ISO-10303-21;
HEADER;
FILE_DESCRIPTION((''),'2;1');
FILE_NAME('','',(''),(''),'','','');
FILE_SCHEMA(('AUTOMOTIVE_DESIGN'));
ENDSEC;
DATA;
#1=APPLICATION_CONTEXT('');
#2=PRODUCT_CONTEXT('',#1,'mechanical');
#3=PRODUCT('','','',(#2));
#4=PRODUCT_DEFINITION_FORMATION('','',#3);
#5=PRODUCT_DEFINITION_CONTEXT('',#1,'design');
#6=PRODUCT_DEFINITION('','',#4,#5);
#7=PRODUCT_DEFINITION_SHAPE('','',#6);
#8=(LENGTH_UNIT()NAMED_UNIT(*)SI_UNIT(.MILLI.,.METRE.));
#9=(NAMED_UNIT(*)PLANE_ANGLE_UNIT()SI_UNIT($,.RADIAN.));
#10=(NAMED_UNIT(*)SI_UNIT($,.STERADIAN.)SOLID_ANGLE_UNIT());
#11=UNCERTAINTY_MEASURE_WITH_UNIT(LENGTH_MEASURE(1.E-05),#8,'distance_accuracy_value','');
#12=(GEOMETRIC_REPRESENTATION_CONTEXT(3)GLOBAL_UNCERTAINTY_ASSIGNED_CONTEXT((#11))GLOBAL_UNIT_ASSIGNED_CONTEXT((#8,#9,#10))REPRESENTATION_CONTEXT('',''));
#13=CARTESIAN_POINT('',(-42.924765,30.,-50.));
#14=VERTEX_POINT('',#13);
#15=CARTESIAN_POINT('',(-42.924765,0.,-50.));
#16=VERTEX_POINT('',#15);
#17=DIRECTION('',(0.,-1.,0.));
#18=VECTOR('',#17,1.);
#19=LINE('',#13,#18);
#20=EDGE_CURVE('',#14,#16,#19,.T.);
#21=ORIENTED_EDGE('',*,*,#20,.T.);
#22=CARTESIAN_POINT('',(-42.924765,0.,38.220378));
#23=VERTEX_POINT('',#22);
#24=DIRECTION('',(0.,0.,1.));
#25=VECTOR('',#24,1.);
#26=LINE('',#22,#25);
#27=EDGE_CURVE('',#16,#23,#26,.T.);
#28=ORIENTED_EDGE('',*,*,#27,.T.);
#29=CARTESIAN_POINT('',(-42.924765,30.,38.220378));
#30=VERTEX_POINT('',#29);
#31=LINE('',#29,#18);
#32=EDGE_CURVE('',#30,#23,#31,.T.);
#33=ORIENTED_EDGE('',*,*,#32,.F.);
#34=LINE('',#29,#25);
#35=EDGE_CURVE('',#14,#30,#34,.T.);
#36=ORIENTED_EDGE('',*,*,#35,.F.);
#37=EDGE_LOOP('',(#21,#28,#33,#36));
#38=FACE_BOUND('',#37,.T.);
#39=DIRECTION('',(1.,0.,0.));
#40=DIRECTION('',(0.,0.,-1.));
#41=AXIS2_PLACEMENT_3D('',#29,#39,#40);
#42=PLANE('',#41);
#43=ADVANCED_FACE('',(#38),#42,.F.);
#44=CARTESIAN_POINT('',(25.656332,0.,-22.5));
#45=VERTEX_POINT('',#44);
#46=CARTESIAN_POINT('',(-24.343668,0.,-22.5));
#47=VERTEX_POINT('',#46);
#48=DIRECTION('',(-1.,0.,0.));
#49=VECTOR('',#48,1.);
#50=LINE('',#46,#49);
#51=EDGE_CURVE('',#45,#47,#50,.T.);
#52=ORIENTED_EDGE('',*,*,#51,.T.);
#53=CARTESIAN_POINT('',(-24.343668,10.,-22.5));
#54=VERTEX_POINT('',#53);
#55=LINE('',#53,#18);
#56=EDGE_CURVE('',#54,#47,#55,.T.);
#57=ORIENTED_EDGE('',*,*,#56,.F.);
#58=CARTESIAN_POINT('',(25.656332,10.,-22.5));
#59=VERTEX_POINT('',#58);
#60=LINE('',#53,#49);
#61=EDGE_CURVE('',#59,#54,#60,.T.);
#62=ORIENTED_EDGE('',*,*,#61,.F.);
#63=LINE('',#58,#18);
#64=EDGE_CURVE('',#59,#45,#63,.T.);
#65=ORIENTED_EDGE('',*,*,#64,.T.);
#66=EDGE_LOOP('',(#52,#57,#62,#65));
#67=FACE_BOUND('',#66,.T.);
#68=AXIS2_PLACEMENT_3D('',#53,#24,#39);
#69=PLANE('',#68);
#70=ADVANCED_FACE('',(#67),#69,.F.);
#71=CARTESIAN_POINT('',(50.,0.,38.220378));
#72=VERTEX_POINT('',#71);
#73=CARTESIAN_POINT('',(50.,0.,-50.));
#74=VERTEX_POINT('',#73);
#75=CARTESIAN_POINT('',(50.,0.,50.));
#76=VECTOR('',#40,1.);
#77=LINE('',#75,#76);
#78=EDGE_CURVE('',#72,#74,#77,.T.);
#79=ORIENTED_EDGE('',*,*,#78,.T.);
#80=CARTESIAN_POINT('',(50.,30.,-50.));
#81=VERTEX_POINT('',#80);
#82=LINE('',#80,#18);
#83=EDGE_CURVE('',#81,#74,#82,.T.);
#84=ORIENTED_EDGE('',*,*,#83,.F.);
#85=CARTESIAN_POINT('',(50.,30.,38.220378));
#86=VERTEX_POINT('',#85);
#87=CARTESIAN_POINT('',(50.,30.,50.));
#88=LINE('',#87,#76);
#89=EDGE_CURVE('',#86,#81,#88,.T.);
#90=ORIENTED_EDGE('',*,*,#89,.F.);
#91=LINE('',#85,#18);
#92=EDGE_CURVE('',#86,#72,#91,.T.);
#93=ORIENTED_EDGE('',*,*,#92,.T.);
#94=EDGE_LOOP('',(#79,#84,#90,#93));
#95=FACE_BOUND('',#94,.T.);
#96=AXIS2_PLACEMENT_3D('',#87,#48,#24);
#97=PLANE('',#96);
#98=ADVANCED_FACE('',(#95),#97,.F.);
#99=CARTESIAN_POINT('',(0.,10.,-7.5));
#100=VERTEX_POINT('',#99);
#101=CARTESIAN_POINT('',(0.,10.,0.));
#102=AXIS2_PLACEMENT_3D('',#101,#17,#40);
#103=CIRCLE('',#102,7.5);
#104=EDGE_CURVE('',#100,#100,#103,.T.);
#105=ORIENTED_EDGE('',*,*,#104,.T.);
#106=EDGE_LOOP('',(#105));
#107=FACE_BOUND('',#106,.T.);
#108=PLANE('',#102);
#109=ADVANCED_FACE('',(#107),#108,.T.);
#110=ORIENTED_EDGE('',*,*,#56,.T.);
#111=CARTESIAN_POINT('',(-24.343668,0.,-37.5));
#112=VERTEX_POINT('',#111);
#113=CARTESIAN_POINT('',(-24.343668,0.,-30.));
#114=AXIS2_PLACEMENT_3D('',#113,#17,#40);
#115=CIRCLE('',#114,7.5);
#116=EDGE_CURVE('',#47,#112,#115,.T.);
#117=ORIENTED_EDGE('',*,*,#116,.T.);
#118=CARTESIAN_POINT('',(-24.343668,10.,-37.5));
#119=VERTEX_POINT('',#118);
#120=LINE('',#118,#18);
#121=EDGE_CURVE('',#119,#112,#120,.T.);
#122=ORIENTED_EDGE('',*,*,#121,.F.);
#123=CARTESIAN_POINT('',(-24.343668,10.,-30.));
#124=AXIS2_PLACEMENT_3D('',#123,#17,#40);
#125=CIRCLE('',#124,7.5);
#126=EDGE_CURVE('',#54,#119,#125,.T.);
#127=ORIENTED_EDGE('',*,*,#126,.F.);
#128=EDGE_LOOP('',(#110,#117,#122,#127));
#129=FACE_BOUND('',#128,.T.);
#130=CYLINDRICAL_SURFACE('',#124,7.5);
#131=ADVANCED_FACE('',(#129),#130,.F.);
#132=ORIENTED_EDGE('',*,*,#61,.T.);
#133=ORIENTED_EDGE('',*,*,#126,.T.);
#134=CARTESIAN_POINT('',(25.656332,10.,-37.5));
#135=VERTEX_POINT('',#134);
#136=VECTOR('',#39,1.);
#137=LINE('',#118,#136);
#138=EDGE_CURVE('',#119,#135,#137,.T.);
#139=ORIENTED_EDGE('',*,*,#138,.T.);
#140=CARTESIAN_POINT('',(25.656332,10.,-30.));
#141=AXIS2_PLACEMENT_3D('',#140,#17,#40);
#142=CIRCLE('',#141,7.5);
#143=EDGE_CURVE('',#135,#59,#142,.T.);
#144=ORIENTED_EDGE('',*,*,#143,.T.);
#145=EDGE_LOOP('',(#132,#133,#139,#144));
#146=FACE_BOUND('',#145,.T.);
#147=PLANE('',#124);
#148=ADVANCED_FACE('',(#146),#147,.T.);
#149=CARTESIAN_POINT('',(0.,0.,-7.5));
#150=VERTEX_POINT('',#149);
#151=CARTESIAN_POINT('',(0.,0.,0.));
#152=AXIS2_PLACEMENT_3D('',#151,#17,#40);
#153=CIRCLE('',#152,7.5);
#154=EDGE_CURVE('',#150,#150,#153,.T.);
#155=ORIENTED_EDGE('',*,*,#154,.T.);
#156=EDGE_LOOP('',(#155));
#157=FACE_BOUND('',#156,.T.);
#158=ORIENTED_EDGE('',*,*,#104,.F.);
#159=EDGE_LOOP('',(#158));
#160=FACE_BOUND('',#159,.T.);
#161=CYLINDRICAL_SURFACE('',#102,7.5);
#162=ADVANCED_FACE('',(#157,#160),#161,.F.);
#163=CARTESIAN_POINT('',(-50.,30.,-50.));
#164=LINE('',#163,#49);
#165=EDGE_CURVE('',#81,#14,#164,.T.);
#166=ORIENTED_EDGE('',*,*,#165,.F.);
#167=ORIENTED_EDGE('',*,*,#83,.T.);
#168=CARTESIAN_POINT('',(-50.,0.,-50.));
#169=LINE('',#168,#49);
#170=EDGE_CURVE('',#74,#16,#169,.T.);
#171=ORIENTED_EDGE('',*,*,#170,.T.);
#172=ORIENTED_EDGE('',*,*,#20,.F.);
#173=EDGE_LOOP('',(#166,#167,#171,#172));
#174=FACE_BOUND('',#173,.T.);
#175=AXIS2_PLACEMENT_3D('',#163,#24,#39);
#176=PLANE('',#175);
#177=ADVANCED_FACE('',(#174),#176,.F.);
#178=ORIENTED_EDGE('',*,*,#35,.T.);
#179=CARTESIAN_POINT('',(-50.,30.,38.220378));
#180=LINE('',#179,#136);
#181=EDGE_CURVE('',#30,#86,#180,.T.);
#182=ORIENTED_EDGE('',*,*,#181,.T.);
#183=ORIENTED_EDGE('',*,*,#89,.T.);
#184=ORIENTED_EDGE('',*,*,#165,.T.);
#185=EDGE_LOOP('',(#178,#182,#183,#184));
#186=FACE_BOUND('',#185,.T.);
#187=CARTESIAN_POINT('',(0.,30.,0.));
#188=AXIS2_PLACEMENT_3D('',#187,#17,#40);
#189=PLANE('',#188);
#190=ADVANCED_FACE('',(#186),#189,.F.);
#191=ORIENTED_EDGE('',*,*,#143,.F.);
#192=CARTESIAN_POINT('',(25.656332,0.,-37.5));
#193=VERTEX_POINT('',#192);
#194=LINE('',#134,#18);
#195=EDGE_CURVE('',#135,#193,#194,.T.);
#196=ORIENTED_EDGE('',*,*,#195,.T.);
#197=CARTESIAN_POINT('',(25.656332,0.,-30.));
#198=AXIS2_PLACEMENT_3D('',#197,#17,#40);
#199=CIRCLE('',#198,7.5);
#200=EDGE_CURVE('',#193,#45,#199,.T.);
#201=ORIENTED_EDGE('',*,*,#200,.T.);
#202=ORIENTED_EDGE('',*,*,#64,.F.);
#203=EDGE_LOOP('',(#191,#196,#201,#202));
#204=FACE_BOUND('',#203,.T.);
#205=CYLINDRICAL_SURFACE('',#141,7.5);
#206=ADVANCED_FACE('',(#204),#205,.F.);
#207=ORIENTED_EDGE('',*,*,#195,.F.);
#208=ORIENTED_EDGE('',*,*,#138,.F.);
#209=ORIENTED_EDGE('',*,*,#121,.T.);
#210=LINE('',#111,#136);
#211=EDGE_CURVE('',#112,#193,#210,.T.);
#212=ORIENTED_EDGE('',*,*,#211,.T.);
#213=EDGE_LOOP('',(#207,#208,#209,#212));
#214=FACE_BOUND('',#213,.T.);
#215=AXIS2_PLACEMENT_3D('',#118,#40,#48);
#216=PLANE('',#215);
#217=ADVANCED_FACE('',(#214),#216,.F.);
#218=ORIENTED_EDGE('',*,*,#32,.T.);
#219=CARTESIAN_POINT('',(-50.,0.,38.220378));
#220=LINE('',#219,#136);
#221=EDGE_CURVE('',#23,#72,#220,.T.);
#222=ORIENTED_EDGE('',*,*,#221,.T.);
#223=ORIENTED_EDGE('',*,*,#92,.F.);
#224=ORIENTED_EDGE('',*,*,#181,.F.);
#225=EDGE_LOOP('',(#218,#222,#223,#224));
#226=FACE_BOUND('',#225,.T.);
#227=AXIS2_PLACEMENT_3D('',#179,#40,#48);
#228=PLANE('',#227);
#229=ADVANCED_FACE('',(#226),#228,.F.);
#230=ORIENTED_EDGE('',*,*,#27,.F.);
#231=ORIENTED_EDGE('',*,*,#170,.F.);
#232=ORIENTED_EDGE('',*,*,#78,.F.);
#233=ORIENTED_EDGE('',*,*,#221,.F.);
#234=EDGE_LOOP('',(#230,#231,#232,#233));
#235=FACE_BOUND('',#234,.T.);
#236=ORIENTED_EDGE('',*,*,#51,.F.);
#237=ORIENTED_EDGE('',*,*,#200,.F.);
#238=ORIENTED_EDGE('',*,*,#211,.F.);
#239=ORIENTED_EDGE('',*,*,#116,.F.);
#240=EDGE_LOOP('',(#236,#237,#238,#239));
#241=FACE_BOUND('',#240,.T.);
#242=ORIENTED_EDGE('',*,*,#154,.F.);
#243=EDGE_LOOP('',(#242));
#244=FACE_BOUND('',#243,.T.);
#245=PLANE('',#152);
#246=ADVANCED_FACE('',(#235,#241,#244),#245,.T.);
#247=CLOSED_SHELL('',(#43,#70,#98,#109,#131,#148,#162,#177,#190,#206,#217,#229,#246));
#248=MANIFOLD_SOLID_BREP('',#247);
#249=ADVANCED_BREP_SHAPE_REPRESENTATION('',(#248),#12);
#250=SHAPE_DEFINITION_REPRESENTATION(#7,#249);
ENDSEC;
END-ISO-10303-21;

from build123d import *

# Parameters (mm, degrees)
EXTRUDE_1_DEPTH     = 30
SKETCH_1_W          = 100
SKETCH_1_H          = 100
EXTRUDE_1_2_DEPTH   = 30
SKETCH_2_R          = 7.5
CUT_EXTRUDE_1_DEPTH = 10
CUT_EXTRUDE_2_DEPTH = 190.208879284
SKETCH_4_W          = 100
SKETCH_4_H          = 11.779621946
CUT_EXTRUDE_3_DEPTH = 77.811457479
SKETCH_5_W          = 7.075234897
SKETCH_5_H          = 88.220378054
CUT_EXTRUDE_5_DEPTH = 77.811457479


with BuildPart() as part:
    # 草图1 → 凸台-拉伸1 (new body)
    with BuildSketch(Plane(origin=(0, 0, 0), x_dir=(1, 0, 0), z_dir=(0, 1, 0))):
        Polygon((80, -50), (180, -50), (80, 50), align=None)
    extrude(amount=EXTRUDE_1_DEPTH)


with BuildPart() as body_2:
    # 草图1 → Extrude 1 2 (new body)
    with BuildSketch(Plane(origin=(0, 0, 0), x_dir=(1, 0, 0), z_dir=(0, 1, 0))):
        Rectangle(SKETCH_1_W, SKETCH_1_H)
    extrude(amount=EXTRUDE_1_2_DEPTH)

    # 草图2 → 切除-拉伸1 (cut)
    with BuildSketch(Plane.XZ):
        Circle(SKETCH_2_R)
        with BuildLine():
            Line((-24.343668286, -22.5), (25.656331714, -22.5))
            ThreePointArc((25.656331714, -22.5), (33.156331714, -30), (25.656331714, -37.5))
            Line((25.656331714, -37.5), (-24.343668286, -37.5))
            ThreePointArc((-24.343668286, -37.5), (-31.843668286, -30), (-24.343668286, -22.5))
        make_face()
    extrude(amount=-CUT_EXTRUDE_1_DEPTH, mode=Mode.SUBTRACT)

    # 草图4 → 切除-拉伸3 (cut, through all)
    with BuildSketch(Plane.XZ):
        with Locations((0, 44.110189027)):
            Rectangle(SKETCH_4_W, SKETCH_4_H)
    extrude(amount=-CUT_EXTRUDE_3_DEPTH, mode=Mode.SUBTRACT)

    # 草图5 → 切除-拉伸5 (cut, through all)
    with BuildSketch(Plane.XZ):
        with Locations((-46.462382551, -5.889810973)):
            Rectangle(SKETCH_5_W, SKETCH_5_H)
    extrude(amount=-CUT_EXTRUDE_5_DEPTH, mode=Mode.SUBTRACT)


with BuildPart() as body_3:
    # 镜向1: mirrored copy
    add(part.part.mirror(Plane(origin=(0, 0, 0), x_dir=(0, 0, 1), z_dir=(1, 0, 0))))


with BuildPart() as cut_extrude_2_tool:
    # 草图3 → 切除-拉伸2 (new, through all)
    with BuildSketch(Plane.XZ):
        Polygon((80, 50), (80, -50), (180, 50), align=None)
        Polygon((-80, -50), (-80, 50), (-180, 50), align=None)
    extrude(amount=-CUT_EXTRUDE_2_DEPTH)


with BuildPart() as part_1:
    add(part.part)

    # 切除-拉伸2: cut by cut_extrude_2_tool
    add(cut_extrude_2_tool.part, mode=Mode.SUBTRACT)


with BuildPart() as body_3_1:
    add(body_3.part)

    # 切除-拉伸2: cut by cut_extrude_2_tool
    add(cut_extrude_2_tool.part, mode=Mode.SUBTRACT)


solid = body_2.part
